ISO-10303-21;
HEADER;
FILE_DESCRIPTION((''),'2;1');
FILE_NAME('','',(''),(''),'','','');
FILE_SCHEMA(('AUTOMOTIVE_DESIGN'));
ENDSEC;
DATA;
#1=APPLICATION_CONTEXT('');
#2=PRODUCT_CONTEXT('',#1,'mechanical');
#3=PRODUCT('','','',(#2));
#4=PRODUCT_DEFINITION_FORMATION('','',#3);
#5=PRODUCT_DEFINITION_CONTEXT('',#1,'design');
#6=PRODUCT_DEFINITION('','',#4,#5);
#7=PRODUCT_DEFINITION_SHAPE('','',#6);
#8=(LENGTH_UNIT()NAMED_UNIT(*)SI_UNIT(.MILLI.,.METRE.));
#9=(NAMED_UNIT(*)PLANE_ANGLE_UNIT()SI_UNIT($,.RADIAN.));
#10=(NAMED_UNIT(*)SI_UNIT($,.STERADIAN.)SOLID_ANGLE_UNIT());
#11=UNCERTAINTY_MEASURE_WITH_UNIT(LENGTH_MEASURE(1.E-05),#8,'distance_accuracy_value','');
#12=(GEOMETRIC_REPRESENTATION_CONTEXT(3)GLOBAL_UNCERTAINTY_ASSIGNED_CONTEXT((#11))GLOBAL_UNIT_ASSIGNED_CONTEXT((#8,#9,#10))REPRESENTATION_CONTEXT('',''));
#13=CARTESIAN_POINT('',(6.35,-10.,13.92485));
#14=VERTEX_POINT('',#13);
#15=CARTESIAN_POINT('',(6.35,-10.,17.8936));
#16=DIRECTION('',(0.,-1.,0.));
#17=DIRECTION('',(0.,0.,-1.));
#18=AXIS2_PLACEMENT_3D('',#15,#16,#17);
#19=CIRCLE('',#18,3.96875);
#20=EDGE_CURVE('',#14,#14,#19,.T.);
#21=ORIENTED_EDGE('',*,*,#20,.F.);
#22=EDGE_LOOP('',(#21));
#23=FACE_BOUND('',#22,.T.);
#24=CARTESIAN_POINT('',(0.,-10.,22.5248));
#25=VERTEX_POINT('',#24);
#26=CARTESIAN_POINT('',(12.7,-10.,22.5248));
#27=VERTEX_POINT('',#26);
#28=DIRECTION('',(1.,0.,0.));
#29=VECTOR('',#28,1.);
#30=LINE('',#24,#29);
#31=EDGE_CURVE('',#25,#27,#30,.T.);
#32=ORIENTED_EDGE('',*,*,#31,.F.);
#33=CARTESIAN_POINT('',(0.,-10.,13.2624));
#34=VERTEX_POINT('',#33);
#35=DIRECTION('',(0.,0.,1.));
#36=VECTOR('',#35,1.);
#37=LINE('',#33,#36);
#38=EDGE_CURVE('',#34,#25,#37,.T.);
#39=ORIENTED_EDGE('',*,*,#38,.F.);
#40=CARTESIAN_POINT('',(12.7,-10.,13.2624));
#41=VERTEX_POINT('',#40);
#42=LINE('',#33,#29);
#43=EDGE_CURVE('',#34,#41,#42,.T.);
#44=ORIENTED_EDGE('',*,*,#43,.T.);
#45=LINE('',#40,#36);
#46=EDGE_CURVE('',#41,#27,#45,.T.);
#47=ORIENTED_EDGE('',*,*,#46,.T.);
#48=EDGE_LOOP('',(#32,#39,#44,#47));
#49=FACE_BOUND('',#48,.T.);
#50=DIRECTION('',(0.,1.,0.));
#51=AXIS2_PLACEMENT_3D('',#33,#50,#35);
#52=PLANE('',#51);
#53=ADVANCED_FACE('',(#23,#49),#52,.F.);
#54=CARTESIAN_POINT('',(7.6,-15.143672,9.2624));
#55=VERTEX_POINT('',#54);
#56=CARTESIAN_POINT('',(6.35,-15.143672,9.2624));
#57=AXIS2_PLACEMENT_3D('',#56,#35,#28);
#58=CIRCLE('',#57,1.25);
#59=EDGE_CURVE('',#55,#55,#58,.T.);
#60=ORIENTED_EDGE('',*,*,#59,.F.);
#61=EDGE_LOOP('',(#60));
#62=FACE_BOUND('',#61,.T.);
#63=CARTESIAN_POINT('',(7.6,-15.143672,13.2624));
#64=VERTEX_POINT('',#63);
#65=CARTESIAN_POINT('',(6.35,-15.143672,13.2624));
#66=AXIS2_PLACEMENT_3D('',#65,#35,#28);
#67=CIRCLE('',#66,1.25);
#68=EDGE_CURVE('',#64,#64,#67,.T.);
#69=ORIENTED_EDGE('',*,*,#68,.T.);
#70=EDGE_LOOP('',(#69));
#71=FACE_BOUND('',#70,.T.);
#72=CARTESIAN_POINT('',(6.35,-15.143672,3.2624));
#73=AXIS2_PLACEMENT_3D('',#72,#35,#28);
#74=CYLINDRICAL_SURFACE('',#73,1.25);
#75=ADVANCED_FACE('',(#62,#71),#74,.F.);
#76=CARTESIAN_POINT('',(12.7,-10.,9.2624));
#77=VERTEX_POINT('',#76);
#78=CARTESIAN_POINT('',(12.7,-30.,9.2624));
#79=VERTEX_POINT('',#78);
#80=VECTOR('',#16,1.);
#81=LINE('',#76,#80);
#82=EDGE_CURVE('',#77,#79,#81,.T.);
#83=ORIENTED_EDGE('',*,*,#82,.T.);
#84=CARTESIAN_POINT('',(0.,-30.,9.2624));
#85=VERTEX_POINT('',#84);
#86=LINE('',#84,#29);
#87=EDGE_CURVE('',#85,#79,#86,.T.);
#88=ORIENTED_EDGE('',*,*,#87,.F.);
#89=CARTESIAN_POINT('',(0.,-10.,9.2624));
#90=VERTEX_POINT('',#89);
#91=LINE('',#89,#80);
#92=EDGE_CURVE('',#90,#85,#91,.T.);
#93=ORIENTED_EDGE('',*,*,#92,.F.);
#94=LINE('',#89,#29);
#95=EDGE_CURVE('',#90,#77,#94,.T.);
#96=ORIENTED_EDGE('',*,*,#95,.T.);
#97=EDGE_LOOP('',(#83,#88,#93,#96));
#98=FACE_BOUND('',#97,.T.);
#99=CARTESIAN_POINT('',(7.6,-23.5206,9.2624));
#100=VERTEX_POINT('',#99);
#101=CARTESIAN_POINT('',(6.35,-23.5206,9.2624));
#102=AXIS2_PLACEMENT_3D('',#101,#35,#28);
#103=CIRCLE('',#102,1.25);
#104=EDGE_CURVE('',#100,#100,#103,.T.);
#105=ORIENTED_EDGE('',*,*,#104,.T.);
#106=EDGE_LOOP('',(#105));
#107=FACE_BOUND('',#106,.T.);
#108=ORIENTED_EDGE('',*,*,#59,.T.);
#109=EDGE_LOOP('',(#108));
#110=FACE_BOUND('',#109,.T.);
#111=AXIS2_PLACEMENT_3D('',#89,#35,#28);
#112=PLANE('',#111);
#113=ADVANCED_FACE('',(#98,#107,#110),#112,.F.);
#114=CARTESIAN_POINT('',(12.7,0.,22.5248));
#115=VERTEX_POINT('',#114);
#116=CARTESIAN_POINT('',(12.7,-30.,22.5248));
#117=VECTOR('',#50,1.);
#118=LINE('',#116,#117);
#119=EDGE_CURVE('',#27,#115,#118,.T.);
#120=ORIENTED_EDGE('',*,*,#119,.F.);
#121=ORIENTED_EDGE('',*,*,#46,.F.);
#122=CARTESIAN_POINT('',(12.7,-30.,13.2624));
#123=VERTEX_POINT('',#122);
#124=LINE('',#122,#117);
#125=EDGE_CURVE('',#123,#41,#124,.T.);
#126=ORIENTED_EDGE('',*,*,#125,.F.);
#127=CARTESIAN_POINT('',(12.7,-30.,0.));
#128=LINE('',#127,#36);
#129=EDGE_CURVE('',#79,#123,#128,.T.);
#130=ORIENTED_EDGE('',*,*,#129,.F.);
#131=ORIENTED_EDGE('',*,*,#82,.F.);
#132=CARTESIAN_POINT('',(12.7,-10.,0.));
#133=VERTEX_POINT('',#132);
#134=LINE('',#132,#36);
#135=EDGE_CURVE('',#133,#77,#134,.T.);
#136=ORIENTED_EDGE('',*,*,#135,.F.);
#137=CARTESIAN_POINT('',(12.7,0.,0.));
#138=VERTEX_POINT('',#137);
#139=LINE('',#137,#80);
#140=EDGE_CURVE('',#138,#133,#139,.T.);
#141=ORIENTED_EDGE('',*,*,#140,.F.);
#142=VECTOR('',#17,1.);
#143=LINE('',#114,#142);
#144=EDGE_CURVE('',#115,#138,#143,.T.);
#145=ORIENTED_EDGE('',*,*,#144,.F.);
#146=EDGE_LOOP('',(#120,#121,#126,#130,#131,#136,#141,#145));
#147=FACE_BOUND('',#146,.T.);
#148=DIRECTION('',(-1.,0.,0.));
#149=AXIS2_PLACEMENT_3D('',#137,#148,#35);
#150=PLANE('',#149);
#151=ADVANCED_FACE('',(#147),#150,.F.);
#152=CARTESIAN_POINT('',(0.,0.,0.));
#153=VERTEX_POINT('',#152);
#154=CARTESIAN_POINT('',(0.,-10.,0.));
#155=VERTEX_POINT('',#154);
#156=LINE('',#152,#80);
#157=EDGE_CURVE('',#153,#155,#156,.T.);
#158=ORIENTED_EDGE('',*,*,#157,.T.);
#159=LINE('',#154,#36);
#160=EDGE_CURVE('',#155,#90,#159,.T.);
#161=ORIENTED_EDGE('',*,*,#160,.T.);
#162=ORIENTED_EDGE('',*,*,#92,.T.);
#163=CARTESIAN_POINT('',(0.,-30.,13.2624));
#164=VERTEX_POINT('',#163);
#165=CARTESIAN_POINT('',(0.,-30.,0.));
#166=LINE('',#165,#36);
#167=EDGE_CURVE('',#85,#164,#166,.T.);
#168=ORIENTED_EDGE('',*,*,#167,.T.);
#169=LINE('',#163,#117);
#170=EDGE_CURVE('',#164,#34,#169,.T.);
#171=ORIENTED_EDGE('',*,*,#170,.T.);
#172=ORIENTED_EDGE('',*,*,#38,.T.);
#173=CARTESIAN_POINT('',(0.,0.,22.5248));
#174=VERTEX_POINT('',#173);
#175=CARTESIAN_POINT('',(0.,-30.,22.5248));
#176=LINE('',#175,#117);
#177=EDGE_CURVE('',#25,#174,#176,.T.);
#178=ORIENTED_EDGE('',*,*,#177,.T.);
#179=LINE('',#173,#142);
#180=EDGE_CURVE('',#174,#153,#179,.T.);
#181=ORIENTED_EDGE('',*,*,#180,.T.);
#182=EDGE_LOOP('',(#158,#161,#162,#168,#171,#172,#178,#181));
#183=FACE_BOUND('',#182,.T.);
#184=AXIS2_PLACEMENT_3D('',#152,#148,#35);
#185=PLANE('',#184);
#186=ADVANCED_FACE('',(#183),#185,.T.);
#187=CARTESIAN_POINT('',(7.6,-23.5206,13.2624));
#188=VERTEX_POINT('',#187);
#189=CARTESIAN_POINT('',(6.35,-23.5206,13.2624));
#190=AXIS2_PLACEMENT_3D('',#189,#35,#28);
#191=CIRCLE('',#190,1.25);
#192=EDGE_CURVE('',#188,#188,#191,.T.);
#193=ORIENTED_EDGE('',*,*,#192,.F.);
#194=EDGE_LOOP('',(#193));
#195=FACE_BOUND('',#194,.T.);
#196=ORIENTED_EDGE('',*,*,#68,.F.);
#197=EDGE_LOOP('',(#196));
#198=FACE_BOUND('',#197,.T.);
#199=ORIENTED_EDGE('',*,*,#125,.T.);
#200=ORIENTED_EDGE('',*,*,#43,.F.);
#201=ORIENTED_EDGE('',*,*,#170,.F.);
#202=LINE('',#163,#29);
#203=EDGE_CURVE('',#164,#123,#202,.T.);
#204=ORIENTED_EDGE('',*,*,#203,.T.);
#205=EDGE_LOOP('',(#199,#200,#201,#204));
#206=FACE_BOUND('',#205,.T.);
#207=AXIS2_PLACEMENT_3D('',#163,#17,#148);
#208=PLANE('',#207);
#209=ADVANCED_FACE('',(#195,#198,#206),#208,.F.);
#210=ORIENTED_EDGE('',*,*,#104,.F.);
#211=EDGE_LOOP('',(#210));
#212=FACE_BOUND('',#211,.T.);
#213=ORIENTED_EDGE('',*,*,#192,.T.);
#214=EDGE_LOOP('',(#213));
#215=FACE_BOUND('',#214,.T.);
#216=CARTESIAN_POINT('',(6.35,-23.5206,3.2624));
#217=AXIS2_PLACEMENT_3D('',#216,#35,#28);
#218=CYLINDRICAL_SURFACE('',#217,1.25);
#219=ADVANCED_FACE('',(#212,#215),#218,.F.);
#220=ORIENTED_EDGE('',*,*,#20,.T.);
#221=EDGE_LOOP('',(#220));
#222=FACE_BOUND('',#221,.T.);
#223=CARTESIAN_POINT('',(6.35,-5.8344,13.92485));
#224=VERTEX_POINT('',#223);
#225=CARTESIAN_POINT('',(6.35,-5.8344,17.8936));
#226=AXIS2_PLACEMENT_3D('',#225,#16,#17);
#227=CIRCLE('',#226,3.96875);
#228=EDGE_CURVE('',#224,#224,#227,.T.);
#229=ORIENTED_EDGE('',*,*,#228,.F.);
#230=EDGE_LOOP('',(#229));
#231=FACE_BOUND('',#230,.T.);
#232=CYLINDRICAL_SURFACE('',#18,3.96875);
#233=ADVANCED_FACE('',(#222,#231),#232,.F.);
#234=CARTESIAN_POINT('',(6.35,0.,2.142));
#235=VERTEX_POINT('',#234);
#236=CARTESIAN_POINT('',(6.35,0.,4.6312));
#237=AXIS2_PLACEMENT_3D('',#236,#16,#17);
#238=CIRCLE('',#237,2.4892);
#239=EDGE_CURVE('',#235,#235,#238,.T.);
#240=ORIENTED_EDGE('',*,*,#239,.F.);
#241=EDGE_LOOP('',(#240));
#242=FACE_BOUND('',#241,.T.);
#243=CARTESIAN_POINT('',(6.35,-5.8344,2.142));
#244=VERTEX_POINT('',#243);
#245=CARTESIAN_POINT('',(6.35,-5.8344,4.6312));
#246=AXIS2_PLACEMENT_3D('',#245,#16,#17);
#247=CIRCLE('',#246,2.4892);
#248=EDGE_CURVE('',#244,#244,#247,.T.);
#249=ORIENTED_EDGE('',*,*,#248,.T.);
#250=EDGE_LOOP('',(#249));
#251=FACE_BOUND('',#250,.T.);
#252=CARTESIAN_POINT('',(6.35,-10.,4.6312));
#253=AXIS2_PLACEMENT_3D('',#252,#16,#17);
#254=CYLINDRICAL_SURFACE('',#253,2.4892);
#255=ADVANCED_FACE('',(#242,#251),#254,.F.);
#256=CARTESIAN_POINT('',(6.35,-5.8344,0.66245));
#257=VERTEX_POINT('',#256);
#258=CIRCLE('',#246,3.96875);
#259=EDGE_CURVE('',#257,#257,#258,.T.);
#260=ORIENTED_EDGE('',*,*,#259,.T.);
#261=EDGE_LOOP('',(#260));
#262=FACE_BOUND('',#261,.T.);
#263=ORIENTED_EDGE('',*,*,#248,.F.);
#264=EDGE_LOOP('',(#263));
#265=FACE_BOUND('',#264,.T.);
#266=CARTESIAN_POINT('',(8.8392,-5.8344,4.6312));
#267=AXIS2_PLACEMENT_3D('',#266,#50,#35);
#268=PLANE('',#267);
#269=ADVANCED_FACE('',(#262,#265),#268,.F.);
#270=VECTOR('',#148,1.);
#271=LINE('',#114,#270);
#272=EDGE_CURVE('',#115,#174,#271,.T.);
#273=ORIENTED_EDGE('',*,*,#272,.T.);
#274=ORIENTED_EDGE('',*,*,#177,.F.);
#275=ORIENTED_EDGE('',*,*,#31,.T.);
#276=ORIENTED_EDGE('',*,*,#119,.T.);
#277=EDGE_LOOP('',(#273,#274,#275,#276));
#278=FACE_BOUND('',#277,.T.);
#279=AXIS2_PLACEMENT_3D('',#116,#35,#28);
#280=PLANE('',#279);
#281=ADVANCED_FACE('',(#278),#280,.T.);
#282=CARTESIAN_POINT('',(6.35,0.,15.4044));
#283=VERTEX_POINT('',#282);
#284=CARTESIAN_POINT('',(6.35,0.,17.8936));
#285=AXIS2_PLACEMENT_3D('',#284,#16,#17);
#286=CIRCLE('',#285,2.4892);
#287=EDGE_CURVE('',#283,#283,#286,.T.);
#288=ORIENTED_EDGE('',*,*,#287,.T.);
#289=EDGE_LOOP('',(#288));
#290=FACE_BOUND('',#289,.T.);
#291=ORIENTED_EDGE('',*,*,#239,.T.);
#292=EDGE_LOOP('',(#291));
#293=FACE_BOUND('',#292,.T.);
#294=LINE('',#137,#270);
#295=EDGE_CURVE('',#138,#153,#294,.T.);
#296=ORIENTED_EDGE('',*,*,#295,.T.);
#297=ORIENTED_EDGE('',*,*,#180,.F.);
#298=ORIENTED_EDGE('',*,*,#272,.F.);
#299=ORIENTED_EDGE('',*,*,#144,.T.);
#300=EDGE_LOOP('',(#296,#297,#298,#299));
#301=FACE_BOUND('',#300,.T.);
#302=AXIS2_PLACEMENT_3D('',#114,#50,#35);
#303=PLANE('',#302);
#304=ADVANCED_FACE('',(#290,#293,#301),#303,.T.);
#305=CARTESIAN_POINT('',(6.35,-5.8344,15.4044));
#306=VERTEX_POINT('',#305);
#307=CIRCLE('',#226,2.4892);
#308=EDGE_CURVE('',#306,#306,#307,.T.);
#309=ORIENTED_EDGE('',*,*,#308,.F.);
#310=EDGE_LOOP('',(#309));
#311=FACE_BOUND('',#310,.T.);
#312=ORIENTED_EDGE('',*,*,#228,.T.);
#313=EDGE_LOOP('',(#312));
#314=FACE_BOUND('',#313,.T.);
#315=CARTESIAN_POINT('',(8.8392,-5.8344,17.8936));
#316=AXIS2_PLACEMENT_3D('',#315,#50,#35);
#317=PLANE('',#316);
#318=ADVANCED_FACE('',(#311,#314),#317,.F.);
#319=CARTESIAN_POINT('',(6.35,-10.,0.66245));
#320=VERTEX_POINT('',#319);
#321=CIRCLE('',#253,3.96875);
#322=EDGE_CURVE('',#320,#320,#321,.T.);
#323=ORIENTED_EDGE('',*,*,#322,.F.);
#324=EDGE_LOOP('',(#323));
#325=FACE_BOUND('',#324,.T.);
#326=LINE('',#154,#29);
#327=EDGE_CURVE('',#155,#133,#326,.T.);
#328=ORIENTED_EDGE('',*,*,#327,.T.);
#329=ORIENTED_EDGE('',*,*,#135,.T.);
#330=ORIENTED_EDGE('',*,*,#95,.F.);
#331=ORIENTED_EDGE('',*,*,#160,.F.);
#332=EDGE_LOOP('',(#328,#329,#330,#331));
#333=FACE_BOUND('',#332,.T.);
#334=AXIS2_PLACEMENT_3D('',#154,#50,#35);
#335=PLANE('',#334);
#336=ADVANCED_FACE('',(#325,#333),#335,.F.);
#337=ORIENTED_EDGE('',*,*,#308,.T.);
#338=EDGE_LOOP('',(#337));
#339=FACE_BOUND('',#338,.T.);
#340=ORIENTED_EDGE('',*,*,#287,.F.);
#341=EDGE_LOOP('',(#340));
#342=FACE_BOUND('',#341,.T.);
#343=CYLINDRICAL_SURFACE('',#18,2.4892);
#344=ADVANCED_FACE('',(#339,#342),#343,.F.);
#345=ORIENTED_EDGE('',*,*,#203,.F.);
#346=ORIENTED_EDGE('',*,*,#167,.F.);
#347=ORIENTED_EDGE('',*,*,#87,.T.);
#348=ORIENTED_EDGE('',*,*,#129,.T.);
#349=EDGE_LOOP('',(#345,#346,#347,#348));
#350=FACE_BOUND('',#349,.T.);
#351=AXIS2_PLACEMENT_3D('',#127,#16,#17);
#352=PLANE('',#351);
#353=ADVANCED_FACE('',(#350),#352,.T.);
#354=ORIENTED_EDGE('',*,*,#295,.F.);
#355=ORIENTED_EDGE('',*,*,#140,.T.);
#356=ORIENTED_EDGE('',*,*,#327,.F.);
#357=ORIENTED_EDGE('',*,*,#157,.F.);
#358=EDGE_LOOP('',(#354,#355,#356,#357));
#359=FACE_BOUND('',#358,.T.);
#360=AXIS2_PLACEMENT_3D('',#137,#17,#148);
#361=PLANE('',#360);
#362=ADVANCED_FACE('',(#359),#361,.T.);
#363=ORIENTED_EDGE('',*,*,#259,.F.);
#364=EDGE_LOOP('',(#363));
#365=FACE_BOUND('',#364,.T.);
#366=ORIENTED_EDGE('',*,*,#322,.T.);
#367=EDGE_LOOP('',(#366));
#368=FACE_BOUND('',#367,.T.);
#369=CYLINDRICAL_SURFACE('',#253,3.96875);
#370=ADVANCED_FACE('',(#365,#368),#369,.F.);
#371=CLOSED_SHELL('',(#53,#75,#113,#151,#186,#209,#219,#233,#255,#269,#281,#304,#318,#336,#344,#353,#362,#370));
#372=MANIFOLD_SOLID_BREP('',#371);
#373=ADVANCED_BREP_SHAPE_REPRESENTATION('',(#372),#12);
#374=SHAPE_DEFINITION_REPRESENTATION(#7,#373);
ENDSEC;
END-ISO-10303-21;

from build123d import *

# Parameters (mm, degrees)
ESBO_O1_W                = 30
ESBO_O1_H                = 22.5248
RESSALTO_EXTRUS_O1_DEPTH = 12.7
ESBO_O2_W                = 9.2624
ESBO_O2_H                = 20
CORTE_EXTRUS_O1_DEPTH    = 13.7
ESBO_O3_W                = 9.2624
ESBO_O3_H                = 20
CORTE_EXTRUS_O2_DEPTH    = 13.7
FURO1_D                  = 4.9784
FURO1_DEPTH              = 10
FURO1_CBORE_D            = 7.9375
FURO1_CBORE_DEPTH        = 4.1656
ESBO_O8_R                = 1.25
CORTE_EXTRUS_O3_DEPTH    = 10


with BuildPart() as part:
    # Esboço1 → Ressalto-extrusão1 (new body)
    with BuildSketch(Plane(origin=(0, 0, 0), x_dir=(0, -1, 0), z_dir=(-1, 0, 0))):
        with Locations((15, 11.2624)):
            Rectangle(ESBO_O1_W, ESBO_O1_H)
    extrude(amount=-RESSALTO_EXTRUS_O1_DEPTH)

    # Esboço2 → Corte-extrusão1 (cut, through all)
    with BuildSketch(Plane(origin=(12.7, 0, 0), x_dir=(0, 0, -1), z_dir=(1, 0, 0))):
        with Locations((-4.6312, -20)):
            Rectangle(ESBO_O2_W, ESBO_O2_H)
    extrude(amount=-CORTE_EXTRUS_O1_DEPTH, mode=Mode.SUBTRACT)

    # Esboço3 → Corte-extrusão2 (cut, through all)
    with BuildSketch(Plane(origin=(12.7, 0, 0), x_dir=(0, 0, -1), z_dir=(1, 0, 0))):
        with Locations((-17.8936, -20)):
            Rectangle(ESBO_O3_W, ESBO_O3_H)
    extrude(amount=-CORTE_EXTRUS_O2_DEPTH, mode=Mode.SUBTRACT)

    # Furo1
    with Locations(Plane(origin=(0, -10, 0), x_dir=(-1, 0, 0), z_dir=(0, -1, 0))):
        with Locations((-6.35, -4.6312), (-6.35, -17.8936)):
            CounterBoreHole(FURO1_D / 2, FURO1_CBORE_D / 2, FURO1_CBORE_DEPTH, depth=FURO1_DEPTH)

    # Esboço8 → Corte-extrusão3 (cut)
    with BuildSketch(Plane.XY.offset(13.2624)):
        with Locations((6.35, -15.143672471)):
            Circle(ESBO_O8_R)
        with Locations((6.35, -23.520600125)):
            Circle(ESBO_O8_R)
    extrude(amount=-CORTE_EXTRUS_O3_DEPTH, mode=Mode.SUBTRACT)


solid = part.part
